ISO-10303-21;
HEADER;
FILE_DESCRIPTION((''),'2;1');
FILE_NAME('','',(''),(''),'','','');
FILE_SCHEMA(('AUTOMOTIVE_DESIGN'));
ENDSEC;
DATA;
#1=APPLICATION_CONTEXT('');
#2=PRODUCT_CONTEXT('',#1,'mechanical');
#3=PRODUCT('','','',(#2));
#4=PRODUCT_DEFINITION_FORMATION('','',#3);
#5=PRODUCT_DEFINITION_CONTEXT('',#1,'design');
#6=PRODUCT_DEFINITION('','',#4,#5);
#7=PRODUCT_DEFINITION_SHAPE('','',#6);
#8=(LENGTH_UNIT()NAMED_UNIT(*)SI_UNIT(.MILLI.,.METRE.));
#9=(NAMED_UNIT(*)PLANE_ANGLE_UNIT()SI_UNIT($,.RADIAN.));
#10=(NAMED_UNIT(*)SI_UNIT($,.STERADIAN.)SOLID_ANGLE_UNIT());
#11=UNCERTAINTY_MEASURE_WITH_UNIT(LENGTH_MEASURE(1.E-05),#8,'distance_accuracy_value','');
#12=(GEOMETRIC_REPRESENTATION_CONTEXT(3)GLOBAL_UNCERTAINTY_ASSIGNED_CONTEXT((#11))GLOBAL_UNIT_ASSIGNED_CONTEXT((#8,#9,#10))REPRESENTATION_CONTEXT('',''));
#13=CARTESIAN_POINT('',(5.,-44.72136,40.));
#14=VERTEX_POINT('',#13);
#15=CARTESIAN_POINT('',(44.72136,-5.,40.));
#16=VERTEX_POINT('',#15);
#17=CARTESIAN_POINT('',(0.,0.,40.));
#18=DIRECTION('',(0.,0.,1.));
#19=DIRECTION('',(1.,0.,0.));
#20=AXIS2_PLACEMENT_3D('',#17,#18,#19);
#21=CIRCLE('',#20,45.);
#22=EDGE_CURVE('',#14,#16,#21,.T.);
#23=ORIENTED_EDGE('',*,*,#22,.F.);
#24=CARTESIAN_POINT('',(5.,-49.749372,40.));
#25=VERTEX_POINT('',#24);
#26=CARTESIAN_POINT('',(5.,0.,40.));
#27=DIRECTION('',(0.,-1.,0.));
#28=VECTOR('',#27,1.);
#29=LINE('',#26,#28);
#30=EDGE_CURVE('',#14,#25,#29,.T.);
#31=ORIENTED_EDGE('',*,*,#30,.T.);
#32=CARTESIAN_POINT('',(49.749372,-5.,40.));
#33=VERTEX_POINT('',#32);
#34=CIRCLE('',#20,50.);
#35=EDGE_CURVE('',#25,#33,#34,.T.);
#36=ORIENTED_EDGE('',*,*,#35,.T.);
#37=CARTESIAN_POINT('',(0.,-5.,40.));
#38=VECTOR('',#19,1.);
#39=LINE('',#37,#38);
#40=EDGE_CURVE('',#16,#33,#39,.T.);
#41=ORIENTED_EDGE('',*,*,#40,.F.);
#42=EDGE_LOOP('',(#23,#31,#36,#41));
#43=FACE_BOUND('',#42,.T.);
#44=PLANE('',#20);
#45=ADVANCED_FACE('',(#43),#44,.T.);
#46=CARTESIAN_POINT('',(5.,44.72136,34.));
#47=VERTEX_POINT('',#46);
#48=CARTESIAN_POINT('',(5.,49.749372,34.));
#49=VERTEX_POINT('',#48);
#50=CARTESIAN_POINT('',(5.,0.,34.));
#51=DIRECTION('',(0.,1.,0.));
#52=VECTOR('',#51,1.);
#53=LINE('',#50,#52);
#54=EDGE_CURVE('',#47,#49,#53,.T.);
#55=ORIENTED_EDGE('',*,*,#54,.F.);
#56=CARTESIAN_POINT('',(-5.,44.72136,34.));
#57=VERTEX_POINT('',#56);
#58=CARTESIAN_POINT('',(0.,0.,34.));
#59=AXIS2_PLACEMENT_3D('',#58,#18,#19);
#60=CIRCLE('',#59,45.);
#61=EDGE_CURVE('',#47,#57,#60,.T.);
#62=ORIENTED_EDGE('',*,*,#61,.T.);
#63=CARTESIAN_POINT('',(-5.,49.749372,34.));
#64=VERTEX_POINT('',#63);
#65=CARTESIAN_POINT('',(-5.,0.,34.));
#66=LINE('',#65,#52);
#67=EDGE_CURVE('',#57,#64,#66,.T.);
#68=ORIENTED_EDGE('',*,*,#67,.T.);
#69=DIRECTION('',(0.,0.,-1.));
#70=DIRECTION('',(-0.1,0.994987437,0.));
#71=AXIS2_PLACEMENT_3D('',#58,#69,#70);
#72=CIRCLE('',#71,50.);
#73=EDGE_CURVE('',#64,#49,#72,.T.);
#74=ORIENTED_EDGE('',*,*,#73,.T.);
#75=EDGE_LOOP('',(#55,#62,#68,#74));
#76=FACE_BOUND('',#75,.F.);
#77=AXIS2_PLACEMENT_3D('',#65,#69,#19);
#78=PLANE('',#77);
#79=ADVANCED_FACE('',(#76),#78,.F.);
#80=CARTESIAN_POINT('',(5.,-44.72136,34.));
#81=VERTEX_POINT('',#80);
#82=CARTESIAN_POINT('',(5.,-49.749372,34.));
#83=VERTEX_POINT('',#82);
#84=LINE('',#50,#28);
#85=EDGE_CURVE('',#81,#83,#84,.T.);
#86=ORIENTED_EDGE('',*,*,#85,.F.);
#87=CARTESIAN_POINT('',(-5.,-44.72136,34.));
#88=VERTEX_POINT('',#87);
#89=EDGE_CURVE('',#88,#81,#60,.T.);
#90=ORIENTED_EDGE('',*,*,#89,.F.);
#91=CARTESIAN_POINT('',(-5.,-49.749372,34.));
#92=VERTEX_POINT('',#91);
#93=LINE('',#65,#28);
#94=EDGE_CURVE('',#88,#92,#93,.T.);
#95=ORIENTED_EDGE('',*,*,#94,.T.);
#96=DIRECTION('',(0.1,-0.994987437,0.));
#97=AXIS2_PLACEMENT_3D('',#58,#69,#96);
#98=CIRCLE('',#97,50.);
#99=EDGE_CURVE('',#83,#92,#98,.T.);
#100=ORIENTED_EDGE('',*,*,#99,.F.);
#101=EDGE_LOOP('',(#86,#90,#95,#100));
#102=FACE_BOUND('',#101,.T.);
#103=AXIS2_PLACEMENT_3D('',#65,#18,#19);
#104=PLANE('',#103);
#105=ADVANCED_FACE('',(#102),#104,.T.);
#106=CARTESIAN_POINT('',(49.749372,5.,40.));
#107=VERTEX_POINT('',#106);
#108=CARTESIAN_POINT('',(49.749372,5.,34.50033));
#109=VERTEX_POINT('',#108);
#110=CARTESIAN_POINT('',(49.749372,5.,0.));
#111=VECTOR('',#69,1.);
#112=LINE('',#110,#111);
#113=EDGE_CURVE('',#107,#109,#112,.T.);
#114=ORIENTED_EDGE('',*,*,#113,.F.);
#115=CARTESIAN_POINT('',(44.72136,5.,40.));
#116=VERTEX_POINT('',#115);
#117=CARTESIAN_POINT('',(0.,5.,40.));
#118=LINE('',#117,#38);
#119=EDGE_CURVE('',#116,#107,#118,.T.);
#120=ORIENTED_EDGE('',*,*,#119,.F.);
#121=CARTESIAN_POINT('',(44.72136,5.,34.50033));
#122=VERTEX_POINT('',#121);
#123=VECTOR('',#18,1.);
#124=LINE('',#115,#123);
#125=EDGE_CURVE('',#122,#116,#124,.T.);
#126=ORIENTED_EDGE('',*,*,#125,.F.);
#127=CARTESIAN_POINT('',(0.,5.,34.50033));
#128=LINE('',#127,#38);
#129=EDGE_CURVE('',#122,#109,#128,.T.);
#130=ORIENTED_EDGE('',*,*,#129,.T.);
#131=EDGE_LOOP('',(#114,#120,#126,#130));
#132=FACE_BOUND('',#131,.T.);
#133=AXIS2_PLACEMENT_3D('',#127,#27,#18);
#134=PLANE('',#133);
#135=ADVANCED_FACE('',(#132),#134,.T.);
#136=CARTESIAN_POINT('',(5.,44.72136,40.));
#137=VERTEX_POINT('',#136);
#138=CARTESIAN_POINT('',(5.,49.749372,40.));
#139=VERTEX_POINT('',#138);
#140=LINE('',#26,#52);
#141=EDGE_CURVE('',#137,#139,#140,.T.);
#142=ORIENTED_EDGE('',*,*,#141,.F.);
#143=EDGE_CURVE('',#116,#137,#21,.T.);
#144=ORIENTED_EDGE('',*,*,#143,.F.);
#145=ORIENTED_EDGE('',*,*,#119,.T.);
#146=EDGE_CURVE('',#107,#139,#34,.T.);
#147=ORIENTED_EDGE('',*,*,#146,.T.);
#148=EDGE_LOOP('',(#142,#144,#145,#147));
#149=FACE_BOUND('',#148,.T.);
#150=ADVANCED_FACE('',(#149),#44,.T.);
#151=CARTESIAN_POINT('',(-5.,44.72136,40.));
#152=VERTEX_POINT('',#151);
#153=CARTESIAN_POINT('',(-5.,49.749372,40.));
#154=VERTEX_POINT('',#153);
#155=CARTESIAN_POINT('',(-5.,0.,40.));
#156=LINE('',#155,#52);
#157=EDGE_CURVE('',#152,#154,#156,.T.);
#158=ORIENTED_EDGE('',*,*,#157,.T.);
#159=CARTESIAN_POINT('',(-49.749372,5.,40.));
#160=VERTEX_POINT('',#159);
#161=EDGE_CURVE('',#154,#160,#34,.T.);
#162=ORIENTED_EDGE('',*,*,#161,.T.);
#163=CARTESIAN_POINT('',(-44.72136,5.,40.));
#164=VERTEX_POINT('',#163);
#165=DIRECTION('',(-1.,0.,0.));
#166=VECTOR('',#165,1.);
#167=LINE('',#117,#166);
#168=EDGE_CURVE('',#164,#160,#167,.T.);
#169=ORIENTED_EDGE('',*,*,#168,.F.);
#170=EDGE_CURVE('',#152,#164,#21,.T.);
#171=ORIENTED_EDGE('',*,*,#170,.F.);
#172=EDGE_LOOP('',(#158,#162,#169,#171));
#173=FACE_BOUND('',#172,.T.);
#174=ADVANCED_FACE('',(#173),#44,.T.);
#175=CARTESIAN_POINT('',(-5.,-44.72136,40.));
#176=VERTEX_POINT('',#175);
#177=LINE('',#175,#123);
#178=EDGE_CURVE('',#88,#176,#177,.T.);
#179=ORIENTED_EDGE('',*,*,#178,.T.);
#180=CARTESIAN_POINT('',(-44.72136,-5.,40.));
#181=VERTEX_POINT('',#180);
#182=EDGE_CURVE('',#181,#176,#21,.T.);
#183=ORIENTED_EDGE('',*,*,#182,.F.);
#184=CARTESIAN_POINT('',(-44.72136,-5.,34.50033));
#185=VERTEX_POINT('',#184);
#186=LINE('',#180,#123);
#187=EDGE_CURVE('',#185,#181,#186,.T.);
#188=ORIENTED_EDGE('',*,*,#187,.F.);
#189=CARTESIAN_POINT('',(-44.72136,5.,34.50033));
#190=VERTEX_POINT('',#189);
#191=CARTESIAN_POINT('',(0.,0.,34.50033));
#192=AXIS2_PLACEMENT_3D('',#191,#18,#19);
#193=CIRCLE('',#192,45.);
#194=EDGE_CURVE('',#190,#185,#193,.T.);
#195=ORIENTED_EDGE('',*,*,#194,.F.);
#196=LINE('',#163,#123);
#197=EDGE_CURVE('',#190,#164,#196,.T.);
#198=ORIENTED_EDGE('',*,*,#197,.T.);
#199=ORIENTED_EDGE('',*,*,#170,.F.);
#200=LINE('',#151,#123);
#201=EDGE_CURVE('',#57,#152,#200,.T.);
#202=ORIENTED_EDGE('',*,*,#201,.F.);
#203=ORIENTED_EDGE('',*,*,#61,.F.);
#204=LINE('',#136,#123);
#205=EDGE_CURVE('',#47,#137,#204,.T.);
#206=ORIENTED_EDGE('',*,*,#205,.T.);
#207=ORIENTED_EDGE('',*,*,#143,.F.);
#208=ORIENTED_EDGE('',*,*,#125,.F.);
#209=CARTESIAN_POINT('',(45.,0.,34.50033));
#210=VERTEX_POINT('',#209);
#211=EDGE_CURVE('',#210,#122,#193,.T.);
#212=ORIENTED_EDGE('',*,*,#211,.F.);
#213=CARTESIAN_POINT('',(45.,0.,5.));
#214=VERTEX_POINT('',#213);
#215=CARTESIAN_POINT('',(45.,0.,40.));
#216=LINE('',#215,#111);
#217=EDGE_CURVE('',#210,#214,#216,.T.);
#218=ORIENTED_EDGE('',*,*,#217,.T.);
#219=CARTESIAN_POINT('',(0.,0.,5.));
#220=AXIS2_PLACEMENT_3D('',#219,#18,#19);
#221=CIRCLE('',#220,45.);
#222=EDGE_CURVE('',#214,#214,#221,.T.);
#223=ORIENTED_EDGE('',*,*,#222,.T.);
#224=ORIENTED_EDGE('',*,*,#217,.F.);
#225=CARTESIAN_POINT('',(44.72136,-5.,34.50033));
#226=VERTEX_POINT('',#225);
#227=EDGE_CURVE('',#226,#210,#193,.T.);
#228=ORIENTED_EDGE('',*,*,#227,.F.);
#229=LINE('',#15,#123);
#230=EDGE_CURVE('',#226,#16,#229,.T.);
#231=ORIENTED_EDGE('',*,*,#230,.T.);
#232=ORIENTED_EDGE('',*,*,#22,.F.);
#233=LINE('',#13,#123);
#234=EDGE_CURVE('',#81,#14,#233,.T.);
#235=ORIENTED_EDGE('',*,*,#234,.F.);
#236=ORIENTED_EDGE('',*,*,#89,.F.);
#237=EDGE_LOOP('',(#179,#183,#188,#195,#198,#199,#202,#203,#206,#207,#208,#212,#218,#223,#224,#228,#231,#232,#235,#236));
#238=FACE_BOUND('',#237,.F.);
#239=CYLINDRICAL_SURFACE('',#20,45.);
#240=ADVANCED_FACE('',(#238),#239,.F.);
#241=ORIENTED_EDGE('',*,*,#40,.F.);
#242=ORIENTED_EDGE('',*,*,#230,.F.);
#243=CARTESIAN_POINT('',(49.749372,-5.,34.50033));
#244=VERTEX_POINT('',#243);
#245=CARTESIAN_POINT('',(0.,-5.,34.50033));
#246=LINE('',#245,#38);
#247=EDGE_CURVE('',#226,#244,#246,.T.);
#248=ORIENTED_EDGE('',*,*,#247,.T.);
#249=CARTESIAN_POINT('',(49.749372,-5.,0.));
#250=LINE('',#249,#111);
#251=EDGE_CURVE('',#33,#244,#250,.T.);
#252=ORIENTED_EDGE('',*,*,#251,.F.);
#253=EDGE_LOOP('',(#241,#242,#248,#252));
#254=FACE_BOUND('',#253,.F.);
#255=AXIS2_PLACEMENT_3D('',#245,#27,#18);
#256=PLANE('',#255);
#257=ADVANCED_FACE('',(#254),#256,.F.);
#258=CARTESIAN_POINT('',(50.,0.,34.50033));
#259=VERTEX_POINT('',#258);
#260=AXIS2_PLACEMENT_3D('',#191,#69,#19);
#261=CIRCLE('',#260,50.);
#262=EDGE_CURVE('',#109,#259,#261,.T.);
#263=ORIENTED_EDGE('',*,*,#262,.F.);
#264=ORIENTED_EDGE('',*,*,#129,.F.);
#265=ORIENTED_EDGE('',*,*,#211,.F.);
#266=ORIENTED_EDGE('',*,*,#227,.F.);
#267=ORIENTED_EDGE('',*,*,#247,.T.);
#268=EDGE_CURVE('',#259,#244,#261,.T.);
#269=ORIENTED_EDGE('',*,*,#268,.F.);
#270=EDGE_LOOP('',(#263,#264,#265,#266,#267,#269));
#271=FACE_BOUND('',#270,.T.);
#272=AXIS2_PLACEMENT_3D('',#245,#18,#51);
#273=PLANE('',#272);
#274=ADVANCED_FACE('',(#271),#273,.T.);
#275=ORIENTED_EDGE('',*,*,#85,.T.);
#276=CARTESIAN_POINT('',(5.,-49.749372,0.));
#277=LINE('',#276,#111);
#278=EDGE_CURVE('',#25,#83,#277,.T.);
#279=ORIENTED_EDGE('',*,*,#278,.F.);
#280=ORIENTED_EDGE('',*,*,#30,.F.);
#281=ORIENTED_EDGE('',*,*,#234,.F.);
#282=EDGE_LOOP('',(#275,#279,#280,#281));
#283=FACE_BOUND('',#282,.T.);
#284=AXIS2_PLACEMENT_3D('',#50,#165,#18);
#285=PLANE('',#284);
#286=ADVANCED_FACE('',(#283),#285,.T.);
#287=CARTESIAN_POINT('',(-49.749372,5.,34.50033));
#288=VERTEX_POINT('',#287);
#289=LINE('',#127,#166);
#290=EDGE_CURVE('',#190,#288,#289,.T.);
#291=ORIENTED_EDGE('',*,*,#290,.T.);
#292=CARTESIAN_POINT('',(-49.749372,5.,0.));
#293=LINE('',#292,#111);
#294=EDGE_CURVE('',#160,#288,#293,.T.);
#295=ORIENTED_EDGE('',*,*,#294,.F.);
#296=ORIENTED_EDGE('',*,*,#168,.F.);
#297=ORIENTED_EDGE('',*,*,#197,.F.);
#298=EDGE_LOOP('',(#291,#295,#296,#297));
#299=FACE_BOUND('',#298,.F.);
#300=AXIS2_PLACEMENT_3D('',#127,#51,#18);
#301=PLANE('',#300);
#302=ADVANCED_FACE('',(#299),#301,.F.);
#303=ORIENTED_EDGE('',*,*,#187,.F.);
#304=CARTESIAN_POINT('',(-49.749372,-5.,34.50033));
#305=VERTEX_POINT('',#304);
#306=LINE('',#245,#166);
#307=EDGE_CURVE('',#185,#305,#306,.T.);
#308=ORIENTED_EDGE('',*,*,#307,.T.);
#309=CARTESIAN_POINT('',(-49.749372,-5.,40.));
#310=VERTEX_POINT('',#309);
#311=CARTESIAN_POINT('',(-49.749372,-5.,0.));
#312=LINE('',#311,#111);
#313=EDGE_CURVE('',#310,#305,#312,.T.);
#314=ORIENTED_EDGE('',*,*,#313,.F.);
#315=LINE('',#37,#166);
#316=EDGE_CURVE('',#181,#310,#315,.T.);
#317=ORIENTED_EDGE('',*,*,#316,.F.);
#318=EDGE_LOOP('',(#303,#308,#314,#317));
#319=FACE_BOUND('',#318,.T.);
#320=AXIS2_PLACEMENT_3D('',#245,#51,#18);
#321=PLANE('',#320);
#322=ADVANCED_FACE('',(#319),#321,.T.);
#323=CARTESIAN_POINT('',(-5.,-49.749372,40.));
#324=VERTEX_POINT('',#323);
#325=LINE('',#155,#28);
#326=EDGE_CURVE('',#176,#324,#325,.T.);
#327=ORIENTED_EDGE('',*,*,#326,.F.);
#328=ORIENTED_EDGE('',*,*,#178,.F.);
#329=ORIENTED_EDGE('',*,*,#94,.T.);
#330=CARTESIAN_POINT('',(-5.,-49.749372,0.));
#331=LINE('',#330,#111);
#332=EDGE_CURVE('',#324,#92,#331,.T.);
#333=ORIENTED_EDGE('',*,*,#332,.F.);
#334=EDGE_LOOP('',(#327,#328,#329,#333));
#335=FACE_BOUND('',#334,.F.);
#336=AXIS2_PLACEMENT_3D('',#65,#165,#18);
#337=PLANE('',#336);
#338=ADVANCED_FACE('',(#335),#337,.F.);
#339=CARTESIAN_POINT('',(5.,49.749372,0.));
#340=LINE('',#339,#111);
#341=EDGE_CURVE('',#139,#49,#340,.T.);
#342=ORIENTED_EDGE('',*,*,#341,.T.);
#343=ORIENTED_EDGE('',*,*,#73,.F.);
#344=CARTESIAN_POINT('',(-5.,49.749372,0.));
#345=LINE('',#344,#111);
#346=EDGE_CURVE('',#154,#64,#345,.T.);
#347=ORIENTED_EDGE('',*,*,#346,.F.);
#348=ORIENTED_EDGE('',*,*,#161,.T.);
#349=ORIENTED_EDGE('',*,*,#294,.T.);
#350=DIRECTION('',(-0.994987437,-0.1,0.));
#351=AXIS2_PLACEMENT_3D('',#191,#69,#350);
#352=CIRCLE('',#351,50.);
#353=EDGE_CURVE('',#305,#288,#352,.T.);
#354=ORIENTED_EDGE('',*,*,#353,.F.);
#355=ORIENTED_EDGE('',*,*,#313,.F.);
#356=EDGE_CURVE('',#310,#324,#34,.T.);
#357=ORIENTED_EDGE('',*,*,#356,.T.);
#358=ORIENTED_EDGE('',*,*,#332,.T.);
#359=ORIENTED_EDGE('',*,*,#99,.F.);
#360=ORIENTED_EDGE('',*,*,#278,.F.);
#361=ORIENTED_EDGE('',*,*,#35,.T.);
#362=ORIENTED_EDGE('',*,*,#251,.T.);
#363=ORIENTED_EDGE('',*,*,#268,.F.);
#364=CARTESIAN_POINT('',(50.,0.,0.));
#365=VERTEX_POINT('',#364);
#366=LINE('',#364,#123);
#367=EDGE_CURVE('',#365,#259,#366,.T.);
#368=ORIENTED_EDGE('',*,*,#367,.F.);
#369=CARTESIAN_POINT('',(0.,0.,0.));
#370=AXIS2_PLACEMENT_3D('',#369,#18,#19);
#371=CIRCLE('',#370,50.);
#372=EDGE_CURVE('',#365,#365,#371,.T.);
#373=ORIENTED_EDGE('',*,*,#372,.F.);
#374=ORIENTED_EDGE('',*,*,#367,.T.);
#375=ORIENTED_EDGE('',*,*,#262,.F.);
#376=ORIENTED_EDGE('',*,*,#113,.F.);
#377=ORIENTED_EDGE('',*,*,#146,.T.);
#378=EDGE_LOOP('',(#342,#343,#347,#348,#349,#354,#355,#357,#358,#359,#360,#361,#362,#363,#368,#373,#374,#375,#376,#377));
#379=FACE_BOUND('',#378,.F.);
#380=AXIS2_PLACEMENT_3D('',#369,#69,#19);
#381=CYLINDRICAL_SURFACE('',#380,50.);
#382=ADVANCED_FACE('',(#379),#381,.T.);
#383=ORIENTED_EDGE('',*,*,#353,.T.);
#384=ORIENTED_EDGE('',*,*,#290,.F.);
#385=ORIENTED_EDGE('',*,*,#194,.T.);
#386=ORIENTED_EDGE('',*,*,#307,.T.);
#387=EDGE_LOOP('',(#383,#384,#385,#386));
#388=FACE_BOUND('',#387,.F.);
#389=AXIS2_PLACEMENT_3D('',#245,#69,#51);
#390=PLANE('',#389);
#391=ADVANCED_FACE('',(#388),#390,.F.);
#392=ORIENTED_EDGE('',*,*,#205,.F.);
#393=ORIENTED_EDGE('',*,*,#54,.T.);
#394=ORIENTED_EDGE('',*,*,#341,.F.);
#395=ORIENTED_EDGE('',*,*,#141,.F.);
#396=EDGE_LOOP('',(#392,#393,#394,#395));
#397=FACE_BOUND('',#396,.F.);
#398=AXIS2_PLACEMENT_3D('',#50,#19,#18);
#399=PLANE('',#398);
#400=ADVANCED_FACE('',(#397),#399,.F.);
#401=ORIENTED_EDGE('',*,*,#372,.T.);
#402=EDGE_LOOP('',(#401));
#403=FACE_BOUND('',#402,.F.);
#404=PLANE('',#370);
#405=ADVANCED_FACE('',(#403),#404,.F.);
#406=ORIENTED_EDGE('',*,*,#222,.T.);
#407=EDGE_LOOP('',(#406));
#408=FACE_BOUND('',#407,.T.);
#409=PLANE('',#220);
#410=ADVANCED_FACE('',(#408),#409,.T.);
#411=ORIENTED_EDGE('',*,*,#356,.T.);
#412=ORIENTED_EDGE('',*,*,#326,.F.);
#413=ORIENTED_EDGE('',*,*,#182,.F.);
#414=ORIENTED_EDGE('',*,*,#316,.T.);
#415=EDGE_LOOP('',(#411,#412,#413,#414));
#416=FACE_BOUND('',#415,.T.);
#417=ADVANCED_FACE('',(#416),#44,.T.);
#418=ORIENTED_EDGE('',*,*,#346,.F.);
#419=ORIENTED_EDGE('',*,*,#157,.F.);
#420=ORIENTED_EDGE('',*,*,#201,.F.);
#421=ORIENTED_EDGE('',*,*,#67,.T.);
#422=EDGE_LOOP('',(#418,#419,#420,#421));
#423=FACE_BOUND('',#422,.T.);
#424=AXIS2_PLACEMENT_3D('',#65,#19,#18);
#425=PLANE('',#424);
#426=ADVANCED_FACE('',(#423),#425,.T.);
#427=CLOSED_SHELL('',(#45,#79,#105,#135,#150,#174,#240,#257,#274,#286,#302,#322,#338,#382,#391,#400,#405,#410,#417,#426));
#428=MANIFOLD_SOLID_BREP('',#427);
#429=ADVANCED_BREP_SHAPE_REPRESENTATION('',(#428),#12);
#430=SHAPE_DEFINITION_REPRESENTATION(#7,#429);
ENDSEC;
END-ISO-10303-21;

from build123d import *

# Parameters (mm, degrees)
F0_R      = 50
F1_DEPTH  = 40
F2_R      = 45
F3_DEPTH  = 35
F4_W      = 10
F4_H      = 6
F5_DEPTH  = 50
F6_W      = 10
F6_H      = 6
F7_DEPTH  = 50
F8_W      = 10
F8_H      = 5.49967
F9_DEPTH  = 50
F10_W     = 10
F10_H     = 5.49967
F11_DEPTH = 50


with BuildPart() as f1:
    # F0 (on Top) → F1 (new body)
    with BuildSketch(Plane.XY):
        Circle(F0_R)
    extrude(amount=F1_DEPTH)

    # F2 (on face) → F3 (cut)
    with BuildSketch(Plane.XY.offset(40)):
        Circle(F2_R)
    extrude(amount=-F3_DEPTH, mode=Mode.SUBTRACT)

    # F4 (on Front) → F5 (cut)
    with BuildSketch(Plane.XZ):
        with Locations((0, 37)):
            Rectangle(F4_W, F4_H)
    extrude(amount=-F5_DEPTH, mode=Mode.SUBTRACT)

    # F6 (on Front) → F7 (cut)
    with BuildSketch(Plane.XZ):
        with Locations((0, 37)):
            Rectangle(F6_W, F6_H)
    extrude(amount=F7_DEPTH, mode=Mode.SUBTRACT)

    # F8 (on Right) → F9 (cut)
    with BuildSketch(Plane.YZ):
        with Locations((0, 37.250165)):
            Rectangle(F8_W, F8_H)
    extrude(amount=-F9_DEPTH, mode=Mode.SUBTRACT)

    # F10 (on Right) → F11 (cut)
    with BuildSketch(Plane.YZ):
        with Locations((0, 37.250165)):
            Rectangle(F10_W, F10_H)
    extrude(amount=F11_DEPTH, mode=Mode.SUBTRACT)


solid = f1.part
